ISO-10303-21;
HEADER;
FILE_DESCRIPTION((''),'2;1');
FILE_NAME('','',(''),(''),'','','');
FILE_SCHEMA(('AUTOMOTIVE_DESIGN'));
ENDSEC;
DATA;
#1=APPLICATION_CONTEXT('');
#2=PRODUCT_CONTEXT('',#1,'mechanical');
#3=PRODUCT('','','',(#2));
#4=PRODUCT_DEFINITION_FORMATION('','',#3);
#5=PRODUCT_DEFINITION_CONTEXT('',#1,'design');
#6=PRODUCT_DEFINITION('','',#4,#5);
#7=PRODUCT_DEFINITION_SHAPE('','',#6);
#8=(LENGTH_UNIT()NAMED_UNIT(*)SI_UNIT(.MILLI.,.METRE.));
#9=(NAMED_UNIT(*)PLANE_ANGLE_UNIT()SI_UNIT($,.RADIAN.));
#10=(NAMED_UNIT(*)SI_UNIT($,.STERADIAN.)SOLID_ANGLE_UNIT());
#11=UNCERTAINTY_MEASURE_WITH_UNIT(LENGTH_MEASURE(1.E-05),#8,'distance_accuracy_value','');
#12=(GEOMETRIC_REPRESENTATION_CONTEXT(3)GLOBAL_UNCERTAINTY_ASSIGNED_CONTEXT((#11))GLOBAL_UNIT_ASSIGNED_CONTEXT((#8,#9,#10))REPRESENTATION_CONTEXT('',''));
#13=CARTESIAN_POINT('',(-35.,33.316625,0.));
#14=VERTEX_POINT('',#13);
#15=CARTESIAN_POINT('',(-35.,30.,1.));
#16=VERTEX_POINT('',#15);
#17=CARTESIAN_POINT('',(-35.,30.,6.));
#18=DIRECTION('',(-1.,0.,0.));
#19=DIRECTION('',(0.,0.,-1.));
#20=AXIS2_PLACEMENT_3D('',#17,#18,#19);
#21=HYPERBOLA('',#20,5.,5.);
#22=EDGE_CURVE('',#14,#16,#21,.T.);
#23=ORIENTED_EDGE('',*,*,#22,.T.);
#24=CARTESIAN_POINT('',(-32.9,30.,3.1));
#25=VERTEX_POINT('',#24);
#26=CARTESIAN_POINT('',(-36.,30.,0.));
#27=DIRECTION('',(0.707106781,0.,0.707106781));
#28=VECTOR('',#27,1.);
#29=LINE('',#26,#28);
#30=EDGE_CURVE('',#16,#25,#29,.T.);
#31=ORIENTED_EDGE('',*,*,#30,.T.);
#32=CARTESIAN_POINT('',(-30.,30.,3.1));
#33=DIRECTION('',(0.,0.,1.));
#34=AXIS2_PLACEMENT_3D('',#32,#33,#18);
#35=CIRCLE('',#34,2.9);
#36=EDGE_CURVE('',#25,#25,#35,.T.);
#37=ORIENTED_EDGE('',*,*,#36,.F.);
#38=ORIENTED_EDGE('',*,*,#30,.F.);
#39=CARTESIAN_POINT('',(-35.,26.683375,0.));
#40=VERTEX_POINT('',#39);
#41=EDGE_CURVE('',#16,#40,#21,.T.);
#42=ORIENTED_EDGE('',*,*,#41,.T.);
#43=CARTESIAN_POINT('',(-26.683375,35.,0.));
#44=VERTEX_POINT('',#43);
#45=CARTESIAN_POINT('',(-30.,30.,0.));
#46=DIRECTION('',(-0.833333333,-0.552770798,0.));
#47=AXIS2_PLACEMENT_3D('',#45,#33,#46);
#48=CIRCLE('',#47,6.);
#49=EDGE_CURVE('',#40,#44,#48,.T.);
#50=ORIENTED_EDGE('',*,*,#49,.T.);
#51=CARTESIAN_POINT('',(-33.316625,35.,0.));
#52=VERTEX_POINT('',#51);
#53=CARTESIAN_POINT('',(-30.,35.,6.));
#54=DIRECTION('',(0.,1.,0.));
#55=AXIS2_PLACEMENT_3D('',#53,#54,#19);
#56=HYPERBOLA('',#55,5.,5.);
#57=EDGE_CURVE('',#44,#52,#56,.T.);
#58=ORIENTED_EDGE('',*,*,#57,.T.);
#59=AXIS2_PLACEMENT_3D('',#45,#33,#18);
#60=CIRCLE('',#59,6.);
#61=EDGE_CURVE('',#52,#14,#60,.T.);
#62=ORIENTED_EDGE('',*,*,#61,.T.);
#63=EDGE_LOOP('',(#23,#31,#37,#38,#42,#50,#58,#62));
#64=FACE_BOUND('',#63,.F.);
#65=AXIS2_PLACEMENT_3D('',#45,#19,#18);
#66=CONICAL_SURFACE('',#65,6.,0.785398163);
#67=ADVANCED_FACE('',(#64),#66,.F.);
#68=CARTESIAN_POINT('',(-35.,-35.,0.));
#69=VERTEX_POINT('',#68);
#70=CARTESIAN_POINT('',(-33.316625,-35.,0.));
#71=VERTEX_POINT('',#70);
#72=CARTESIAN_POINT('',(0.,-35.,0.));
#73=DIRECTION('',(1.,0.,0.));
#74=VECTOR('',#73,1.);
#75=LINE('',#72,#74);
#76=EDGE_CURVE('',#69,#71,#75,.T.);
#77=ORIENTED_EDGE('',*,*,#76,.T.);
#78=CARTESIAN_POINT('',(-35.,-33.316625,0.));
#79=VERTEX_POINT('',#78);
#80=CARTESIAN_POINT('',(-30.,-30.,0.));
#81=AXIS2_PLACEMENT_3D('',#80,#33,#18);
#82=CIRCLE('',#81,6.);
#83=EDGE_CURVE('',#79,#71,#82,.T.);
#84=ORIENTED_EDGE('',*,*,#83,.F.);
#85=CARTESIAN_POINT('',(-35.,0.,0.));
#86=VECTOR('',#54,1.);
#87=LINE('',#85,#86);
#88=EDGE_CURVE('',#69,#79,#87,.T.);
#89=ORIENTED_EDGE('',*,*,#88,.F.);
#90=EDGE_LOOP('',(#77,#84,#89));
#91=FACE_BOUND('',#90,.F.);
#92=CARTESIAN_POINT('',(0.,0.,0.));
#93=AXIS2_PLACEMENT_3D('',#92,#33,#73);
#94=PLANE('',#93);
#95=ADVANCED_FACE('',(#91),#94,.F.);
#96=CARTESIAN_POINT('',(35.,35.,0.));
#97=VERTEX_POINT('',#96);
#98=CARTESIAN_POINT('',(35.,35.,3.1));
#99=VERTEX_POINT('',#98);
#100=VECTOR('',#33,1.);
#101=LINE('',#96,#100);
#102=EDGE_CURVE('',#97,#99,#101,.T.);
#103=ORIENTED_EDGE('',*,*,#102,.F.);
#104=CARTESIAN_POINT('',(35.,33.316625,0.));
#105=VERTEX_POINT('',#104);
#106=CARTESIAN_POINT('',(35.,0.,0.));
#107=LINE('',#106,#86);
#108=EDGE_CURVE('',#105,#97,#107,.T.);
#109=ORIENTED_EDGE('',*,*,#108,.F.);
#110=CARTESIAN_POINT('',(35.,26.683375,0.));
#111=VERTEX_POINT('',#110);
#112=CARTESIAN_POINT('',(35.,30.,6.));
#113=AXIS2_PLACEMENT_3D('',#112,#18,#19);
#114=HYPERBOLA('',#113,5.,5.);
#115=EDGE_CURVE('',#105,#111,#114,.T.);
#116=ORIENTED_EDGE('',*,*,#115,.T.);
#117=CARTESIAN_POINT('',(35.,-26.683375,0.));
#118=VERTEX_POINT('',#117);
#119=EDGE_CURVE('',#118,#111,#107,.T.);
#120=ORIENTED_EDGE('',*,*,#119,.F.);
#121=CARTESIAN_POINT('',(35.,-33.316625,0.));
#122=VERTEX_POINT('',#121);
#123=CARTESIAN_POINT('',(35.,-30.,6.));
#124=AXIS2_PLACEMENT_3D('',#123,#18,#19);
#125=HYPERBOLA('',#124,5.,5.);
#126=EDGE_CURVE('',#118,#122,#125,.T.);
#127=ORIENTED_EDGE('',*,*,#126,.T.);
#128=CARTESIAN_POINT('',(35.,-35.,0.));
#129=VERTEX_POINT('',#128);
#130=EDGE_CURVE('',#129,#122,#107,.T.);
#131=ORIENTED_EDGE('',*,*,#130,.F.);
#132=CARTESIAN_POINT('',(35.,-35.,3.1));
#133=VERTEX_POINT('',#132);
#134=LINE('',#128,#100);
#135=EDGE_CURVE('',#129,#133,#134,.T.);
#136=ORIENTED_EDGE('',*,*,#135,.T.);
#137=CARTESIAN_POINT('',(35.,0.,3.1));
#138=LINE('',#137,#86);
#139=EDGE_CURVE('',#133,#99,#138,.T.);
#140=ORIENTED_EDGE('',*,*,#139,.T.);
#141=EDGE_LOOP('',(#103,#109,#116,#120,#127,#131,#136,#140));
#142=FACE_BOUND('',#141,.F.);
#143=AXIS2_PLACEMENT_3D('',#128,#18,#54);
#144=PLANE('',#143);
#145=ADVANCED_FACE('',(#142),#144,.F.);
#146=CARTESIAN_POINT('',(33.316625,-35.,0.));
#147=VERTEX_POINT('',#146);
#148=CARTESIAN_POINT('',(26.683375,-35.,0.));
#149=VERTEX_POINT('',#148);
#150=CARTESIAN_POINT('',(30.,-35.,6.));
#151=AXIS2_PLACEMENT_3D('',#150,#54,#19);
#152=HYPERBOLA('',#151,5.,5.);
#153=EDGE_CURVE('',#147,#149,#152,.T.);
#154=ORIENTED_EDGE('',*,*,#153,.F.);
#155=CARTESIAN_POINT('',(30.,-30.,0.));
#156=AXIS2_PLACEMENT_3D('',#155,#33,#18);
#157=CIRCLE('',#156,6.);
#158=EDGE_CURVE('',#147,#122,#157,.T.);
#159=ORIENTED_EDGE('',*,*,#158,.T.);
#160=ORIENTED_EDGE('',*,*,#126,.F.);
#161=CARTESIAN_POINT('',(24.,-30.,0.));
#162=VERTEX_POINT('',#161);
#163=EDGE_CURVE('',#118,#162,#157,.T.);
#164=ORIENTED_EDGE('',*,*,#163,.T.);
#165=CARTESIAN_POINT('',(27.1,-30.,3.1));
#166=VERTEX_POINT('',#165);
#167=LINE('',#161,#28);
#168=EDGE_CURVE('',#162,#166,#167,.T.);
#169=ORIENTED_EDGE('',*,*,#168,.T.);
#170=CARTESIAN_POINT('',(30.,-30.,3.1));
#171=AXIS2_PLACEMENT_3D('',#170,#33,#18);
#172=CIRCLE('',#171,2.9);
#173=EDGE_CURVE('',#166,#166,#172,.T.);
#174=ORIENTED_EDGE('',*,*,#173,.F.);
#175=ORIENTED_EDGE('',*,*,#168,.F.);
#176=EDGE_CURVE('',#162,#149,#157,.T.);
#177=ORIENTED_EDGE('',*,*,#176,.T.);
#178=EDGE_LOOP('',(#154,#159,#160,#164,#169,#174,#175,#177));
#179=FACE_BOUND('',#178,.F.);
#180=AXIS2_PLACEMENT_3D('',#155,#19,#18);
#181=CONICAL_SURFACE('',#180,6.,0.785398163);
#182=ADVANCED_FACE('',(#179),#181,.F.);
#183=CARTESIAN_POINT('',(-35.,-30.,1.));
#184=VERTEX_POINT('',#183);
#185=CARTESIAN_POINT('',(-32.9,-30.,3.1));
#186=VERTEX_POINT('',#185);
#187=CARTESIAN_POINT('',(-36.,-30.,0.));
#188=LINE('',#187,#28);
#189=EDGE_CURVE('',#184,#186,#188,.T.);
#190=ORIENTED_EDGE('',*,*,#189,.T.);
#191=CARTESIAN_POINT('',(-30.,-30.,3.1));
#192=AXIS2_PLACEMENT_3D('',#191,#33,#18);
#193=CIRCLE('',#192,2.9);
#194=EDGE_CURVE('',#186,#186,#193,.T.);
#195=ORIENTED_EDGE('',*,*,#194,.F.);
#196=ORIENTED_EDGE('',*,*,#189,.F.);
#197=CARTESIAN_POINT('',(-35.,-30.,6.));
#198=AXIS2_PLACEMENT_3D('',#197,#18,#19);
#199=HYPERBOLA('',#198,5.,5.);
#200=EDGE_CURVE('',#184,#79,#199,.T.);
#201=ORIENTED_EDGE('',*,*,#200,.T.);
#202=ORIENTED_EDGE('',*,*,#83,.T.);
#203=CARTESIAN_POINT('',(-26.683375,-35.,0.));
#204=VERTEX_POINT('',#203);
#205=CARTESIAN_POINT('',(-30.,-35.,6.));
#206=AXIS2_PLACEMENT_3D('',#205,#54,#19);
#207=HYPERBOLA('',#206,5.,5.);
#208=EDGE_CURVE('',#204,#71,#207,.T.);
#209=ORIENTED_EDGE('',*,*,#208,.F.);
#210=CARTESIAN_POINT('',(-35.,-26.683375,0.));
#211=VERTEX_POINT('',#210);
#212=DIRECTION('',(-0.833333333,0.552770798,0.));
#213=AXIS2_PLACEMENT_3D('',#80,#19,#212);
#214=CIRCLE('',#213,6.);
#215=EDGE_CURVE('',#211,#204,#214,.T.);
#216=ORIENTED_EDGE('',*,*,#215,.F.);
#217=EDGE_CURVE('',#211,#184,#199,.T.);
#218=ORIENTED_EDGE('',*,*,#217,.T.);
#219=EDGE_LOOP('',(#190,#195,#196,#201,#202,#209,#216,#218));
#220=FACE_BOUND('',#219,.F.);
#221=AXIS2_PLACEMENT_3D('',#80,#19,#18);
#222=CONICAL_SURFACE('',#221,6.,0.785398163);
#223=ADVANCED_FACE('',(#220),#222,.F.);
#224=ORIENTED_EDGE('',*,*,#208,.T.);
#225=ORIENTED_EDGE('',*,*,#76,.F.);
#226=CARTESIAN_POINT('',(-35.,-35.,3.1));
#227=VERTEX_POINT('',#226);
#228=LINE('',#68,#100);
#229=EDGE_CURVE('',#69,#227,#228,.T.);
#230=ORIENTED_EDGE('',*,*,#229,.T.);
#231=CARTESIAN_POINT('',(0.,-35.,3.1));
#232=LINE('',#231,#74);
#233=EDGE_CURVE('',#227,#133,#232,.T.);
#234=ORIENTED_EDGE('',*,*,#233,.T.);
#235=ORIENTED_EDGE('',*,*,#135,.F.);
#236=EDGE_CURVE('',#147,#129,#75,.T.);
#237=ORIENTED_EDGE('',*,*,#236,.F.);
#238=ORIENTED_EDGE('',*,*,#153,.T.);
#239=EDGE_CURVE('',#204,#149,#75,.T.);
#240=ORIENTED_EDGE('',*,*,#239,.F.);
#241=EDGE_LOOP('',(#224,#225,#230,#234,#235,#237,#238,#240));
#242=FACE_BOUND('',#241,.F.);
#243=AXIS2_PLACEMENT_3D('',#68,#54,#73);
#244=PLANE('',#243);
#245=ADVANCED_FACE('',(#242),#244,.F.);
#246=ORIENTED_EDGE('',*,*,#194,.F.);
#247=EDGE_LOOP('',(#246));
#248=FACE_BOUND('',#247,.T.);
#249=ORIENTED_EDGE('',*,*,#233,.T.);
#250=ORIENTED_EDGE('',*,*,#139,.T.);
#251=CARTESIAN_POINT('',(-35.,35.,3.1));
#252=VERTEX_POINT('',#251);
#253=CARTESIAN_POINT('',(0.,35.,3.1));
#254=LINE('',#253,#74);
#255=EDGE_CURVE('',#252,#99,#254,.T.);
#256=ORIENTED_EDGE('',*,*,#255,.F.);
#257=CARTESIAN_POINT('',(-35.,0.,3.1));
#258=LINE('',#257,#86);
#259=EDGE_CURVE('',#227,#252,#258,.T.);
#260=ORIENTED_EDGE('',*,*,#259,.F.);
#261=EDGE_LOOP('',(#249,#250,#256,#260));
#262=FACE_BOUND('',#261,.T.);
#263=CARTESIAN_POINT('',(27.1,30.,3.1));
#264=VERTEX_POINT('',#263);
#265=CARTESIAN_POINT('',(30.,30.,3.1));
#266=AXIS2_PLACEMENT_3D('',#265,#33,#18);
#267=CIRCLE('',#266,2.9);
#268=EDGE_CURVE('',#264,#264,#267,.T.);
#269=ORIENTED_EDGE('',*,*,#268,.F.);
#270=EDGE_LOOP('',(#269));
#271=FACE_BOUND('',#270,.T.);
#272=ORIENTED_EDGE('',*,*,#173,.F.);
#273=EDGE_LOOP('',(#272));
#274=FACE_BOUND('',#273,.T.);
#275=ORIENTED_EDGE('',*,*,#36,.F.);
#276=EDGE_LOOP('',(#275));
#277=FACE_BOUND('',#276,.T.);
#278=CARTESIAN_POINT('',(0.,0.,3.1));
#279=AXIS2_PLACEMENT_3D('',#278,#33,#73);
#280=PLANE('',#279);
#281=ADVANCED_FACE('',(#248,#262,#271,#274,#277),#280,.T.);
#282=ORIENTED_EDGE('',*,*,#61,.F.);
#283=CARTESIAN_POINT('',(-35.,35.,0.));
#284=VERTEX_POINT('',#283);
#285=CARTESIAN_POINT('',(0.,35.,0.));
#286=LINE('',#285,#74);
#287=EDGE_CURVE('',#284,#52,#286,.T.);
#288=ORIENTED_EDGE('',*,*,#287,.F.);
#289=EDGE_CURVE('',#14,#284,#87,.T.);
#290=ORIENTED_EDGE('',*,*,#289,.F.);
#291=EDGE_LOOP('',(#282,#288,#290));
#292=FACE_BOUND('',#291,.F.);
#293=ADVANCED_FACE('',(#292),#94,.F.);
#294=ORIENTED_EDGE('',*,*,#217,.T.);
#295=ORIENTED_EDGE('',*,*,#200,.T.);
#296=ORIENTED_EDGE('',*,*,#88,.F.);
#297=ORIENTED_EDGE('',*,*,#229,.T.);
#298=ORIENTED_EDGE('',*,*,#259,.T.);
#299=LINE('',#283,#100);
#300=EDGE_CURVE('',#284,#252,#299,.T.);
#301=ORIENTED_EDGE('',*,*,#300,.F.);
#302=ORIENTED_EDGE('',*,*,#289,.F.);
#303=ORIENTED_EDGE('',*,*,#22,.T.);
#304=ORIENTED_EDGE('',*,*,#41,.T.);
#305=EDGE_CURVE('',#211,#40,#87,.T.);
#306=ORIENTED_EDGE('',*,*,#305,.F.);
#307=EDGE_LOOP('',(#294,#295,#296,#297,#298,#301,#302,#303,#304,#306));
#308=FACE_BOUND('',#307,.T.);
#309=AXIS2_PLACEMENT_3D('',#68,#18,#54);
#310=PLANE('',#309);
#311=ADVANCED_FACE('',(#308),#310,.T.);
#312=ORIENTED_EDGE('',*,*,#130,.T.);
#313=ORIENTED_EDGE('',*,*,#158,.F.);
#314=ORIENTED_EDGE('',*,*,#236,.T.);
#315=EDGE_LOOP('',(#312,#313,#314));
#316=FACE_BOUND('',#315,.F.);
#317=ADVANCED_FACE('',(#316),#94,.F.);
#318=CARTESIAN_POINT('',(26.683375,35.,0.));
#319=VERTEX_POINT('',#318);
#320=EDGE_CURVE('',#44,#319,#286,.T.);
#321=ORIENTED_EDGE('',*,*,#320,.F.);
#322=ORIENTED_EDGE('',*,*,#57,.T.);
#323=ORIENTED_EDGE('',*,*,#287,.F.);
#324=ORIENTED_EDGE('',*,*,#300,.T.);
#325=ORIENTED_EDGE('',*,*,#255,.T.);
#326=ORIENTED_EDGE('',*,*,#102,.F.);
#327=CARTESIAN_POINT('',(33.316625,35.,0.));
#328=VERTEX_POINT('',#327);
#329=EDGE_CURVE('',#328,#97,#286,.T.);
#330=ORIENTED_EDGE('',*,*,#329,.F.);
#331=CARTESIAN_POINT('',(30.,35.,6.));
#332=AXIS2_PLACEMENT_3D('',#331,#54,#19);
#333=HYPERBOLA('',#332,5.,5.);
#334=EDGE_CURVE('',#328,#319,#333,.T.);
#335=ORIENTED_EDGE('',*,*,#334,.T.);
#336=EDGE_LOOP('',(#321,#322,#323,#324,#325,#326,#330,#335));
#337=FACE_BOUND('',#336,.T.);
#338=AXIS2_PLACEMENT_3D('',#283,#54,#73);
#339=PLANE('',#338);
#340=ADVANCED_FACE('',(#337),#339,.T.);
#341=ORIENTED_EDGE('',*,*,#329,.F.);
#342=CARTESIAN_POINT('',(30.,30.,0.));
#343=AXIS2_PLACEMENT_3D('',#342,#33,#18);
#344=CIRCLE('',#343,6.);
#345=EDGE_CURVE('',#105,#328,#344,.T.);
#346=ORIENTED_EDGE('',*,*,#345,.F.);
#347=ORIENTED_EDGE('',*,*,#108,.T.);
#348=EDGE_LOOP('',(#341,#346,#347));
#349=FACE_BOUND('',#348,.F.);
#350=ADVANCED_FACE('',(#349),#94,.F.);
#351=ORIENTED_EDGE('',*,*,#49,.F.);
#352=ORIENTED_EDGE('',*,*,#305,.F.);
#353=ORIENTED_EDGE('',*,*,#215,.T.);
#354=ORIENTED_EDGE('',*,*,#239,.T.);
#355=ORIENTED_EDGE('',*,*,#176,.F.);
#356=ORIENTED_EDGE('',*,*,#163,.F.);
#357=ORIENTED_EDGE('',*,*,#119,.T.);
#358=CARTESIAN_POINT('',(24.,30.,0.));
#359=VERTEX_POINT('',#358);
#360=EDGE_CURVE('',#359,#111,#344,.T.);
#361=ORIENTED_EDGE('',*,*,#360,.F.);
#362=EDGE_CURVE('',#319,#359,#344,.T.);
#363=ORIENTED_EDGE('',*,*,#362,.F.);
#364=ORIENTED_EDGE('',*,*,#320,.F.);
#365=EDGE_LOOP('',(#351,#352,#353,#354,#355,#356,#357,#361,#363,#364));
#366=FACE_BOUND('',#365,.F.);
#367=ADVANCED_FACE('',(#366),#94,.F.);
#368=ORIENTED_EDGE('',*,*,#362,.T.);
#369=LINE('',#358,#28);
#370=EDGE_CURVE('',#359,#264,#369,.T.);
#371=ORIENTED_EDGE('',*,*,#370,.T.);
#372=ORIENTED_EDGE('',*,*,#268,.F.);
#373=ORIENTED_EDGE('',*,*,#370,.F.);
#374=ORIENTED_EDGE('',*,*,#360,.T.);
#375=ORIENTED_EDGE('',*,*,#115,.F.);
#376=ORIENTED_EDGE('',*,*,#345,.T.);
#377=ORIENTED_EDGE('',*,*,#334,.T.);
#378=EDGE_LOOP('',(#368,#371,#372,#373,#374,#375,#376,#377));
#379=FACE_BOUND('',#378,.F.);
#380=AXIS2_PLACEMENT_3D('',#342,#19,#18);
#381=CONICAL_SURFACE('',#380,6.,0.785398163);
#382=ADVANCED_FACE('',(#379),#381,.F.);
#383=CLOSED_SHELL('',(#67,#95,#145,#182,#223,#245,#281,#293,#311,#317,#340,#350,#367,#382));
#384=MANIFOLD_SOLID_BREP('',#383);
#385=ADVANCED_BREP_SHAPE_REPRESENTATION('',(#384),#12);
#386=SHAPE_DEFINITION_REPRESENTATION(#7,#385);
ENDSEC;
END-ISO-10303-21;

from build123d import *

# Parameters (mm, degrees)
F0_W           = 70
F0_H           = 70
F0_W_2         = 60
F0_H_2         = 60
F1_DEPTH       = 3.1
F2_D           = 4
F2_DEPTH       = 15
F2_CSINK_D     = 12
F2_CSINK_ANGLE = 90
F2_TIP         = 1.2017212381


with BuildPart() as f1:
    # F0 (on Top) → F1 (new body)
    with BuildSketch(Plane.XY):
        Rectangle(F0_W, F0_H)
        Rectangle(F0_W_2, F0_H_2, mode=Mode.SUBTRACT)
        Rectangle(F0_W_2, F0_H_2)
    extrude(amount=F1_DEPTH)

    # F2
    with Locations(Plane(origin=(0, 0, 0), x_dir=(1, 0, 0), z_dir=(0, 0, -1))):
        with Locations((-30, -30), (30, -30), (30, 30), (-30, 30)):
            CounterSinkHole(F2_D / 2, F2_CSINK_D / 2, depth=F2_DEPTH, counter_sink_angle=F2_CSINK_ANGLE)
            with Locations((0, 0, -(F2_DEPTH + F2_TIP / 2))):  # 118° drill point
                Cone(0, F2_D / 2, F2_TIP, mode=Mode.SUBTRACT)


solid = f1.part
